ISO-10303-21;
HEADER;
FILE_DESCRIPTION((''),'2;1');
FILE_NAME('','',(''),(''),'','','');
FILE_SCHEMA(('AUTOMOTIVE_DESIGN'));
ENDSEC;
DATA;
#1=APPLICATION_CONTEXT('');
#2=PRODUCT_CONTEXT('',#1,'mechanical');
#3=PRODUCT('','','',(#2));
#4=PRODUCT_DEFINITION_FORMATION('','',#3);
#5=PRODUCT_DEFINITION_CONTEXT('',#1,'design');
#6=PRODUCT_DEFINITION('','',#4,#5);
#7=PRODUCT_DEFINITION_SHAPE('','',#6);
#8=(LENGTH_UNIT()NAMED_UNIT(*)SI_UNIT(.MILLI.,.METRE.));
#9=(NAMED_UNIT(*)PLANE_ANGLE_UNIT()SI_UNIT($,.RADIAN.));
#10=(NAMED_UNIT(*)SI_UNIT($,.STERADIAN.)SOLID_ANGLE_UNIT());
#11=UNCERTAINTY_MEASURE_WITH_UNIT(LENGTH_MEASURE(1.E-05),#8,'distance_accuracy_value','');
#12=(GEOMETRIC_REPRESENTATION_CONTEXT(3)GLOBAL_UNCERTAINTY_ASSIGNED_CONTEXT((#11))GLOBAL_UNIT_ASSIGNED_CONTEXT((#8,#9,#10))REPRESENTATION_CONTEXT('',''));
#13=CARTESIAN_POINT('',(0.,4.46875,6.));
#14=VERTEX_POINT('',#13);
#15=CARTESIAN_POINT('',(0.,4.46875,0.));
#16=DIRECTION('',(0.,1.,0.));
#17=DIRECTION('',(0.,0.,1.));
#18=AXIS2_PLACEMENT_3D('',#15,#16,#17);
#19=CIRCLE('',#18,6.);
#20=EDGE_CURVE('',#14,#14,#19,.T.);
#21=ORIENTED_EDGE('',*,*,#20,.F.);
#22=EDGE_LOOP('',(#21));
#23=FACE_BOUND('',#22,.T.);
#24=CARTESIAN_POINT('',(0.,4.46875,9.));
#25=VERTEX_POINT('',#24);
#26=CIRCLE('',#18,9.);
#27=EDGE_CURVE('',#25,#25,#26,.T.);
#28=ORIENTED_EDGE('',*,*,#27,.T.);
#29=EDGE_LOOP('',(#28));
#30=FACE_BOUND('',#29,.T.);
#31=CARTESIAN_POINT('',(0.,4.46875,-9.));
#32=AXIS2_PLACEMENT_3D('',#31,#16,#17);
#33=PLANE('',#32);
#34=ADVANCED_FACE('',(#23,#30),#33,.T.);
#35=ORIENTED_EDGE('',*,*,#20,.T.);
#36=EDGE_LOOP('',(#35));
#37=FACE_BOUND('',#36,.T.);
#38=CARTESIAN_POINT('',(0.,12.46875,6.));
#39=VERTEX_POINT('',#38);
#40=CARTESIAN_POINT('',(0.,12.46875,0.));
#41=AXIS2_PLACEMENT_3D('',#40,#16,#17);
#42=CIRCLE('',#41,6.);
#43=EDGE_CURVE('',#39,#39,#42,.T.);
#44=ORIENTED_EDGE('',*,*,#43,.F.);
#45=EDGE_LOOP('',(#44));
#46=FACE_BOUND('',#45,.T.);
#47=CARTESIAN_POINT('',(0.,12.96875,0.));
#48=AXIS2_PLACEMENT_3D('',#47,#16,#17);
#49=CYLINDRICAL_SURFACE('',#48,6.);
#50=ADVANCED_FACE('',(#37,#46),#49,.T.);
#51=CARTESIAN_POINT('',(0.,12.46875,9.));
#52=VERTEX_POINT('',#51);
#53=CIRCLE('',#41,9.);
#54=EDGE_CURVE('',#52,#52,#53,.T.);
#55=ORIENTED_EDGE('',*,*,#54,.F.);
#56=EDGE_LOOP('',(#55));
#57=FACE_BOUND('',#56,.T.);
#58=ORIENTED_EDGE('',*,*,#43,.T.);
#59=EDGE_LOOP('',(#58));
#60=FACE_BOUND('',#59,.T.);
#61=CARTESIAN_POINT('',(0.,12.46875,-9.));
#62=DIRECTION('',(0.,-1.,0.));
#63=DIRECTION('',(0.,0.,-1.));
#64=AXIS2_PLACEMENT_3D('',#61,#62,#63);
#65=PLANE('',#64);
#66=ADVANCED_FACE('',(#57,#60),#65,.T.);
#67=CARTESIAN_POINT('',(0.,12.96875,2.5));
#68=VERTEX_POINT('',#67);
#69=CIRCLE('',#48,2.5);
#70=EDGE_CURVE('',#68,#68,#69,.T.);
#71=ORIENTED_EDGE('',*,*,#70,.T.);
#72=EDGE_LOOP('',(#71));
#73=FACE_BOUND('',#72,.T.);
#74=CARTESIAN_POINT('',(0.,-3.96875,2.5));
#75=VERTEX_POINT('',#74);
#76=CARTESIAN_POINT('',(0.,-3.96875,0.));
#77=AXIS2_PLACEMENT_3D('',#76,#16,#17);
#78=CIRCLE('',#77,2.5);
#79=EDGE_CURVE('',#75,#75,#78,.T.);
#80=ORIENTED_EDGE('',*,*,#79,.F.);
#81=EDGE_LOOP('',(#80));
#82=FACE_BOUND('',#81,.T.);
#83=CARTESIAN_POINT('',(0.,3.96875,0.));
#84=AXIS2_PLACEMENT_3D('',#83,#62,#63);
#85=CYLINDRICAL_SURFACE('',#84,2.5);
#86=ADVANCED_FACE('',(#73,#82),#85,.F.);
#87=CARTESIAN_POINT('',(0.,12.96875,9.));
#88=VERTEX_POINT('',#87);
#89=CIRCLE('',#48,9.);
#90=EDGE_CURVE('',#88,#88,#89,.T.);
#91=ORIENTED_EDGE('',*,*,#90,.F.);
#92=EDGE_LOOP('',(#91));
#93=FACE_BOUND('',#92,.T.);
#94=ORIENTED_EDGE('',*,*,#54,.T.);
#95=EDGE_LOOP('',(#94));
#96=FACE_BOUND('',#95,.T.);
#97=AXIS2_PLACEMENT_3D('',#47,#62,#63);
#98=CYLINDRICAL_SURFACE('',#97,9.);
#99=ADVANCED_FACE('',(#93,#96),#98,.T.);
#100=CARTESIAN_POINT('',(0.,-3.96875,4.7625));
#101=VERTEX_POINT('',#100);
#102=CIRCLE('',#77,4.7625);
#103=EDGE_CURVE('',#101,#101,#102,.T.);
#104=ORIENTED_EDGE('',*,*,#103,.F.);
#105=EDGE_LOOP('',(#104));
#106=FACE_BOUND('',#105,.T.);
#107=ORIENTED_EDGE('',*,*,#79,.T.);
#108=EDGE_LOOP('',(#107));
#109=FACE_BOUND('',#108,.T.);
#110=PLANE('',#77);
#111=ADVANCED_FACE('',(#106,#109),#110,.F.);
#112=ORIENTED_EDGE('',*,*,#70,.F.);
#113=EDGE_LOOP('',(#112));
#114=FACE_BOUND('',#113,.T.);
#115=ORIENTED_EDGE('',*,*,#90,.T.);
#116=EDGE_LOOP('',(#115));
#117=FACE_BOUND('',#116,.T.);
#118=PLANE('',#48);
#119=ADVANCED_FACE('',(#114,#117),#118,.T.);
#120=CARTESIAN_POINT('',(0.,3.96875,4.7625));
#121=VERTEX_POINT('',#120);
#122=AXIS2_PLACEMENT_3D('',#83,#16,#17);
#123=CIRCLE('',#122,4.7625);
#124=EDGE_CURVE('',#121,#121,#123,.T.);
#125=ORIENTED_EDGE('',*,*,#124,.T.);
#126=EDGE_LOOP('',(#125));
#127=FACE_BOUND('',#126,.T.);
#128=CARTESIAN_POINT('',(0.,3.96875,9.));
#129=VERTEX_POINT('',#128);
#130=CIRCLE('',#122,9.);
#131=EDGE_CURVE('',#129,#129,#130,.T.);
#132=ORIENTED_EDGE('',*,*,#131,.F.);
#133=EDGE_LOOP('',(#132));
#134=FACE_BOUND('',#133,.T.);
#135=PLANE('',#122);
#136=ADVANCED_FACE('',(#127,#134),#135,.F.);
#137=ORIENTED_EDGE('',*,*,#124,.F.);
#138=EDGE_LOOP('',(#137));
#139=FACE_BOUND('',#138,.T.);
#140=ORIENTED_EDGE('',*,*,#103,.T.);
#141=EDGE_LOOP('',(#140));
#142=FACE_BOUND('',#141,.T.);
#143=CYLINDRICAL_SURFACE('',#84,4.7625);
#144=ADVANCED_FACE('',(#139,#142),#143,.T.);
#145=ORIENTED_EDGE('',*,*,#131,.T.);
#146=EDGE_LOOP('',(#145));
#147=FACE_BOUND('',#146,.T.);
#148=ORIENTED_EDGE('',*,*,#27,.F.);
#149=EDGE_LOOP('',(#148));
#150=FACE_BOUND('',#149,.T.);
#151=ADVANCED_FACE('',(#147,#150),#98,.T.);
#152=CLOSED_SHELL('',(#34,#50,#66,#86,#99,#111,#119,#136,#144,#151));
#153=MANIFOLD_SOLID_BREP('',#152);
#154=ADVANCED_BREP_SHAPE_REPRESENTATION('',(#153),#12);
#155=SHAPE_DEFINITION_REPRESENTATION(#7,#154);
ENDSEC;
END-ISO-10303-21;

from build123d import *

# Parameters (mm, degrees)
SKETCH1_R           = 4.7625
SKETCH1_R_2         = 2.5
BOSS_EXTRUDE1_DEPTH = 3.96875
SKETCH2_R           = 9
SKETCH2_R_2         = 2.5
BOSS_EXTRUDE2_DEPTH = 9
SKETCH3_W           = 3
SKETCH3_H           = 8


with BuildPart() as part:
    # Sketch1 → Boss-Extrude1 (new, symmetric)
    with BuildSketch(Plane(origin=(0, 0, 0), x_dir=(1, 0, 0), z_dir=(0, 1, 0))):
        with Locations(Location((0, 0, 0), (0, 0, 270))):
            Circle(SKETCH1_R)
        with Locations(Location((0, 0, 0), (0, 0, 270))):
            Circle(SKETCH1_R_2, mode=Mode.SUBTRACT)
    extrude(amount=BOSS_EXTRUDE1_DEPTH, both=True)

    # Sketch2 → Boss-Extrude2 (add)
    with BuildSketch(Plane(origin=(0, 3.96875, 0), x_dir=(1, 0, 0), z_dir=(0, 1, 0))):
        with Locations(Location((0, 0, 0), (0, 0, 270))):
            Circle(SKETCH2_R)
        with Locations(Location((0, 0, 0), (0, 0, 270))):
            Circle(SKETCH2_R_2, mode=Mode.SUBTRACT)
    extrude(amount=BOSS_EXTRUDE2_DEPTH)

    # Sketch3 → Cut-Revolve1 (revolve, cut)
    with BuildSketch(Plane(origin=(0, 0, 0), x_dir=(0, 0, -1), z_dir=(1, 0, 0)), mode=Mode.PRIVATE) as cut_revolve1_sk:
        with Locations((7.5, 8.46875)):
            Rectangle(SKETCH3_W, SKETCH3_H)
    revolve(cut_revolve1_sk.sketch.rotate(Axis((0, 3.96875, 0), (0, -1, 0)), 180), axis=Axis((0, 3.96875, 0), (0, -1, 0)), mode=Mode.SUBTRACT)


solid = part.part
